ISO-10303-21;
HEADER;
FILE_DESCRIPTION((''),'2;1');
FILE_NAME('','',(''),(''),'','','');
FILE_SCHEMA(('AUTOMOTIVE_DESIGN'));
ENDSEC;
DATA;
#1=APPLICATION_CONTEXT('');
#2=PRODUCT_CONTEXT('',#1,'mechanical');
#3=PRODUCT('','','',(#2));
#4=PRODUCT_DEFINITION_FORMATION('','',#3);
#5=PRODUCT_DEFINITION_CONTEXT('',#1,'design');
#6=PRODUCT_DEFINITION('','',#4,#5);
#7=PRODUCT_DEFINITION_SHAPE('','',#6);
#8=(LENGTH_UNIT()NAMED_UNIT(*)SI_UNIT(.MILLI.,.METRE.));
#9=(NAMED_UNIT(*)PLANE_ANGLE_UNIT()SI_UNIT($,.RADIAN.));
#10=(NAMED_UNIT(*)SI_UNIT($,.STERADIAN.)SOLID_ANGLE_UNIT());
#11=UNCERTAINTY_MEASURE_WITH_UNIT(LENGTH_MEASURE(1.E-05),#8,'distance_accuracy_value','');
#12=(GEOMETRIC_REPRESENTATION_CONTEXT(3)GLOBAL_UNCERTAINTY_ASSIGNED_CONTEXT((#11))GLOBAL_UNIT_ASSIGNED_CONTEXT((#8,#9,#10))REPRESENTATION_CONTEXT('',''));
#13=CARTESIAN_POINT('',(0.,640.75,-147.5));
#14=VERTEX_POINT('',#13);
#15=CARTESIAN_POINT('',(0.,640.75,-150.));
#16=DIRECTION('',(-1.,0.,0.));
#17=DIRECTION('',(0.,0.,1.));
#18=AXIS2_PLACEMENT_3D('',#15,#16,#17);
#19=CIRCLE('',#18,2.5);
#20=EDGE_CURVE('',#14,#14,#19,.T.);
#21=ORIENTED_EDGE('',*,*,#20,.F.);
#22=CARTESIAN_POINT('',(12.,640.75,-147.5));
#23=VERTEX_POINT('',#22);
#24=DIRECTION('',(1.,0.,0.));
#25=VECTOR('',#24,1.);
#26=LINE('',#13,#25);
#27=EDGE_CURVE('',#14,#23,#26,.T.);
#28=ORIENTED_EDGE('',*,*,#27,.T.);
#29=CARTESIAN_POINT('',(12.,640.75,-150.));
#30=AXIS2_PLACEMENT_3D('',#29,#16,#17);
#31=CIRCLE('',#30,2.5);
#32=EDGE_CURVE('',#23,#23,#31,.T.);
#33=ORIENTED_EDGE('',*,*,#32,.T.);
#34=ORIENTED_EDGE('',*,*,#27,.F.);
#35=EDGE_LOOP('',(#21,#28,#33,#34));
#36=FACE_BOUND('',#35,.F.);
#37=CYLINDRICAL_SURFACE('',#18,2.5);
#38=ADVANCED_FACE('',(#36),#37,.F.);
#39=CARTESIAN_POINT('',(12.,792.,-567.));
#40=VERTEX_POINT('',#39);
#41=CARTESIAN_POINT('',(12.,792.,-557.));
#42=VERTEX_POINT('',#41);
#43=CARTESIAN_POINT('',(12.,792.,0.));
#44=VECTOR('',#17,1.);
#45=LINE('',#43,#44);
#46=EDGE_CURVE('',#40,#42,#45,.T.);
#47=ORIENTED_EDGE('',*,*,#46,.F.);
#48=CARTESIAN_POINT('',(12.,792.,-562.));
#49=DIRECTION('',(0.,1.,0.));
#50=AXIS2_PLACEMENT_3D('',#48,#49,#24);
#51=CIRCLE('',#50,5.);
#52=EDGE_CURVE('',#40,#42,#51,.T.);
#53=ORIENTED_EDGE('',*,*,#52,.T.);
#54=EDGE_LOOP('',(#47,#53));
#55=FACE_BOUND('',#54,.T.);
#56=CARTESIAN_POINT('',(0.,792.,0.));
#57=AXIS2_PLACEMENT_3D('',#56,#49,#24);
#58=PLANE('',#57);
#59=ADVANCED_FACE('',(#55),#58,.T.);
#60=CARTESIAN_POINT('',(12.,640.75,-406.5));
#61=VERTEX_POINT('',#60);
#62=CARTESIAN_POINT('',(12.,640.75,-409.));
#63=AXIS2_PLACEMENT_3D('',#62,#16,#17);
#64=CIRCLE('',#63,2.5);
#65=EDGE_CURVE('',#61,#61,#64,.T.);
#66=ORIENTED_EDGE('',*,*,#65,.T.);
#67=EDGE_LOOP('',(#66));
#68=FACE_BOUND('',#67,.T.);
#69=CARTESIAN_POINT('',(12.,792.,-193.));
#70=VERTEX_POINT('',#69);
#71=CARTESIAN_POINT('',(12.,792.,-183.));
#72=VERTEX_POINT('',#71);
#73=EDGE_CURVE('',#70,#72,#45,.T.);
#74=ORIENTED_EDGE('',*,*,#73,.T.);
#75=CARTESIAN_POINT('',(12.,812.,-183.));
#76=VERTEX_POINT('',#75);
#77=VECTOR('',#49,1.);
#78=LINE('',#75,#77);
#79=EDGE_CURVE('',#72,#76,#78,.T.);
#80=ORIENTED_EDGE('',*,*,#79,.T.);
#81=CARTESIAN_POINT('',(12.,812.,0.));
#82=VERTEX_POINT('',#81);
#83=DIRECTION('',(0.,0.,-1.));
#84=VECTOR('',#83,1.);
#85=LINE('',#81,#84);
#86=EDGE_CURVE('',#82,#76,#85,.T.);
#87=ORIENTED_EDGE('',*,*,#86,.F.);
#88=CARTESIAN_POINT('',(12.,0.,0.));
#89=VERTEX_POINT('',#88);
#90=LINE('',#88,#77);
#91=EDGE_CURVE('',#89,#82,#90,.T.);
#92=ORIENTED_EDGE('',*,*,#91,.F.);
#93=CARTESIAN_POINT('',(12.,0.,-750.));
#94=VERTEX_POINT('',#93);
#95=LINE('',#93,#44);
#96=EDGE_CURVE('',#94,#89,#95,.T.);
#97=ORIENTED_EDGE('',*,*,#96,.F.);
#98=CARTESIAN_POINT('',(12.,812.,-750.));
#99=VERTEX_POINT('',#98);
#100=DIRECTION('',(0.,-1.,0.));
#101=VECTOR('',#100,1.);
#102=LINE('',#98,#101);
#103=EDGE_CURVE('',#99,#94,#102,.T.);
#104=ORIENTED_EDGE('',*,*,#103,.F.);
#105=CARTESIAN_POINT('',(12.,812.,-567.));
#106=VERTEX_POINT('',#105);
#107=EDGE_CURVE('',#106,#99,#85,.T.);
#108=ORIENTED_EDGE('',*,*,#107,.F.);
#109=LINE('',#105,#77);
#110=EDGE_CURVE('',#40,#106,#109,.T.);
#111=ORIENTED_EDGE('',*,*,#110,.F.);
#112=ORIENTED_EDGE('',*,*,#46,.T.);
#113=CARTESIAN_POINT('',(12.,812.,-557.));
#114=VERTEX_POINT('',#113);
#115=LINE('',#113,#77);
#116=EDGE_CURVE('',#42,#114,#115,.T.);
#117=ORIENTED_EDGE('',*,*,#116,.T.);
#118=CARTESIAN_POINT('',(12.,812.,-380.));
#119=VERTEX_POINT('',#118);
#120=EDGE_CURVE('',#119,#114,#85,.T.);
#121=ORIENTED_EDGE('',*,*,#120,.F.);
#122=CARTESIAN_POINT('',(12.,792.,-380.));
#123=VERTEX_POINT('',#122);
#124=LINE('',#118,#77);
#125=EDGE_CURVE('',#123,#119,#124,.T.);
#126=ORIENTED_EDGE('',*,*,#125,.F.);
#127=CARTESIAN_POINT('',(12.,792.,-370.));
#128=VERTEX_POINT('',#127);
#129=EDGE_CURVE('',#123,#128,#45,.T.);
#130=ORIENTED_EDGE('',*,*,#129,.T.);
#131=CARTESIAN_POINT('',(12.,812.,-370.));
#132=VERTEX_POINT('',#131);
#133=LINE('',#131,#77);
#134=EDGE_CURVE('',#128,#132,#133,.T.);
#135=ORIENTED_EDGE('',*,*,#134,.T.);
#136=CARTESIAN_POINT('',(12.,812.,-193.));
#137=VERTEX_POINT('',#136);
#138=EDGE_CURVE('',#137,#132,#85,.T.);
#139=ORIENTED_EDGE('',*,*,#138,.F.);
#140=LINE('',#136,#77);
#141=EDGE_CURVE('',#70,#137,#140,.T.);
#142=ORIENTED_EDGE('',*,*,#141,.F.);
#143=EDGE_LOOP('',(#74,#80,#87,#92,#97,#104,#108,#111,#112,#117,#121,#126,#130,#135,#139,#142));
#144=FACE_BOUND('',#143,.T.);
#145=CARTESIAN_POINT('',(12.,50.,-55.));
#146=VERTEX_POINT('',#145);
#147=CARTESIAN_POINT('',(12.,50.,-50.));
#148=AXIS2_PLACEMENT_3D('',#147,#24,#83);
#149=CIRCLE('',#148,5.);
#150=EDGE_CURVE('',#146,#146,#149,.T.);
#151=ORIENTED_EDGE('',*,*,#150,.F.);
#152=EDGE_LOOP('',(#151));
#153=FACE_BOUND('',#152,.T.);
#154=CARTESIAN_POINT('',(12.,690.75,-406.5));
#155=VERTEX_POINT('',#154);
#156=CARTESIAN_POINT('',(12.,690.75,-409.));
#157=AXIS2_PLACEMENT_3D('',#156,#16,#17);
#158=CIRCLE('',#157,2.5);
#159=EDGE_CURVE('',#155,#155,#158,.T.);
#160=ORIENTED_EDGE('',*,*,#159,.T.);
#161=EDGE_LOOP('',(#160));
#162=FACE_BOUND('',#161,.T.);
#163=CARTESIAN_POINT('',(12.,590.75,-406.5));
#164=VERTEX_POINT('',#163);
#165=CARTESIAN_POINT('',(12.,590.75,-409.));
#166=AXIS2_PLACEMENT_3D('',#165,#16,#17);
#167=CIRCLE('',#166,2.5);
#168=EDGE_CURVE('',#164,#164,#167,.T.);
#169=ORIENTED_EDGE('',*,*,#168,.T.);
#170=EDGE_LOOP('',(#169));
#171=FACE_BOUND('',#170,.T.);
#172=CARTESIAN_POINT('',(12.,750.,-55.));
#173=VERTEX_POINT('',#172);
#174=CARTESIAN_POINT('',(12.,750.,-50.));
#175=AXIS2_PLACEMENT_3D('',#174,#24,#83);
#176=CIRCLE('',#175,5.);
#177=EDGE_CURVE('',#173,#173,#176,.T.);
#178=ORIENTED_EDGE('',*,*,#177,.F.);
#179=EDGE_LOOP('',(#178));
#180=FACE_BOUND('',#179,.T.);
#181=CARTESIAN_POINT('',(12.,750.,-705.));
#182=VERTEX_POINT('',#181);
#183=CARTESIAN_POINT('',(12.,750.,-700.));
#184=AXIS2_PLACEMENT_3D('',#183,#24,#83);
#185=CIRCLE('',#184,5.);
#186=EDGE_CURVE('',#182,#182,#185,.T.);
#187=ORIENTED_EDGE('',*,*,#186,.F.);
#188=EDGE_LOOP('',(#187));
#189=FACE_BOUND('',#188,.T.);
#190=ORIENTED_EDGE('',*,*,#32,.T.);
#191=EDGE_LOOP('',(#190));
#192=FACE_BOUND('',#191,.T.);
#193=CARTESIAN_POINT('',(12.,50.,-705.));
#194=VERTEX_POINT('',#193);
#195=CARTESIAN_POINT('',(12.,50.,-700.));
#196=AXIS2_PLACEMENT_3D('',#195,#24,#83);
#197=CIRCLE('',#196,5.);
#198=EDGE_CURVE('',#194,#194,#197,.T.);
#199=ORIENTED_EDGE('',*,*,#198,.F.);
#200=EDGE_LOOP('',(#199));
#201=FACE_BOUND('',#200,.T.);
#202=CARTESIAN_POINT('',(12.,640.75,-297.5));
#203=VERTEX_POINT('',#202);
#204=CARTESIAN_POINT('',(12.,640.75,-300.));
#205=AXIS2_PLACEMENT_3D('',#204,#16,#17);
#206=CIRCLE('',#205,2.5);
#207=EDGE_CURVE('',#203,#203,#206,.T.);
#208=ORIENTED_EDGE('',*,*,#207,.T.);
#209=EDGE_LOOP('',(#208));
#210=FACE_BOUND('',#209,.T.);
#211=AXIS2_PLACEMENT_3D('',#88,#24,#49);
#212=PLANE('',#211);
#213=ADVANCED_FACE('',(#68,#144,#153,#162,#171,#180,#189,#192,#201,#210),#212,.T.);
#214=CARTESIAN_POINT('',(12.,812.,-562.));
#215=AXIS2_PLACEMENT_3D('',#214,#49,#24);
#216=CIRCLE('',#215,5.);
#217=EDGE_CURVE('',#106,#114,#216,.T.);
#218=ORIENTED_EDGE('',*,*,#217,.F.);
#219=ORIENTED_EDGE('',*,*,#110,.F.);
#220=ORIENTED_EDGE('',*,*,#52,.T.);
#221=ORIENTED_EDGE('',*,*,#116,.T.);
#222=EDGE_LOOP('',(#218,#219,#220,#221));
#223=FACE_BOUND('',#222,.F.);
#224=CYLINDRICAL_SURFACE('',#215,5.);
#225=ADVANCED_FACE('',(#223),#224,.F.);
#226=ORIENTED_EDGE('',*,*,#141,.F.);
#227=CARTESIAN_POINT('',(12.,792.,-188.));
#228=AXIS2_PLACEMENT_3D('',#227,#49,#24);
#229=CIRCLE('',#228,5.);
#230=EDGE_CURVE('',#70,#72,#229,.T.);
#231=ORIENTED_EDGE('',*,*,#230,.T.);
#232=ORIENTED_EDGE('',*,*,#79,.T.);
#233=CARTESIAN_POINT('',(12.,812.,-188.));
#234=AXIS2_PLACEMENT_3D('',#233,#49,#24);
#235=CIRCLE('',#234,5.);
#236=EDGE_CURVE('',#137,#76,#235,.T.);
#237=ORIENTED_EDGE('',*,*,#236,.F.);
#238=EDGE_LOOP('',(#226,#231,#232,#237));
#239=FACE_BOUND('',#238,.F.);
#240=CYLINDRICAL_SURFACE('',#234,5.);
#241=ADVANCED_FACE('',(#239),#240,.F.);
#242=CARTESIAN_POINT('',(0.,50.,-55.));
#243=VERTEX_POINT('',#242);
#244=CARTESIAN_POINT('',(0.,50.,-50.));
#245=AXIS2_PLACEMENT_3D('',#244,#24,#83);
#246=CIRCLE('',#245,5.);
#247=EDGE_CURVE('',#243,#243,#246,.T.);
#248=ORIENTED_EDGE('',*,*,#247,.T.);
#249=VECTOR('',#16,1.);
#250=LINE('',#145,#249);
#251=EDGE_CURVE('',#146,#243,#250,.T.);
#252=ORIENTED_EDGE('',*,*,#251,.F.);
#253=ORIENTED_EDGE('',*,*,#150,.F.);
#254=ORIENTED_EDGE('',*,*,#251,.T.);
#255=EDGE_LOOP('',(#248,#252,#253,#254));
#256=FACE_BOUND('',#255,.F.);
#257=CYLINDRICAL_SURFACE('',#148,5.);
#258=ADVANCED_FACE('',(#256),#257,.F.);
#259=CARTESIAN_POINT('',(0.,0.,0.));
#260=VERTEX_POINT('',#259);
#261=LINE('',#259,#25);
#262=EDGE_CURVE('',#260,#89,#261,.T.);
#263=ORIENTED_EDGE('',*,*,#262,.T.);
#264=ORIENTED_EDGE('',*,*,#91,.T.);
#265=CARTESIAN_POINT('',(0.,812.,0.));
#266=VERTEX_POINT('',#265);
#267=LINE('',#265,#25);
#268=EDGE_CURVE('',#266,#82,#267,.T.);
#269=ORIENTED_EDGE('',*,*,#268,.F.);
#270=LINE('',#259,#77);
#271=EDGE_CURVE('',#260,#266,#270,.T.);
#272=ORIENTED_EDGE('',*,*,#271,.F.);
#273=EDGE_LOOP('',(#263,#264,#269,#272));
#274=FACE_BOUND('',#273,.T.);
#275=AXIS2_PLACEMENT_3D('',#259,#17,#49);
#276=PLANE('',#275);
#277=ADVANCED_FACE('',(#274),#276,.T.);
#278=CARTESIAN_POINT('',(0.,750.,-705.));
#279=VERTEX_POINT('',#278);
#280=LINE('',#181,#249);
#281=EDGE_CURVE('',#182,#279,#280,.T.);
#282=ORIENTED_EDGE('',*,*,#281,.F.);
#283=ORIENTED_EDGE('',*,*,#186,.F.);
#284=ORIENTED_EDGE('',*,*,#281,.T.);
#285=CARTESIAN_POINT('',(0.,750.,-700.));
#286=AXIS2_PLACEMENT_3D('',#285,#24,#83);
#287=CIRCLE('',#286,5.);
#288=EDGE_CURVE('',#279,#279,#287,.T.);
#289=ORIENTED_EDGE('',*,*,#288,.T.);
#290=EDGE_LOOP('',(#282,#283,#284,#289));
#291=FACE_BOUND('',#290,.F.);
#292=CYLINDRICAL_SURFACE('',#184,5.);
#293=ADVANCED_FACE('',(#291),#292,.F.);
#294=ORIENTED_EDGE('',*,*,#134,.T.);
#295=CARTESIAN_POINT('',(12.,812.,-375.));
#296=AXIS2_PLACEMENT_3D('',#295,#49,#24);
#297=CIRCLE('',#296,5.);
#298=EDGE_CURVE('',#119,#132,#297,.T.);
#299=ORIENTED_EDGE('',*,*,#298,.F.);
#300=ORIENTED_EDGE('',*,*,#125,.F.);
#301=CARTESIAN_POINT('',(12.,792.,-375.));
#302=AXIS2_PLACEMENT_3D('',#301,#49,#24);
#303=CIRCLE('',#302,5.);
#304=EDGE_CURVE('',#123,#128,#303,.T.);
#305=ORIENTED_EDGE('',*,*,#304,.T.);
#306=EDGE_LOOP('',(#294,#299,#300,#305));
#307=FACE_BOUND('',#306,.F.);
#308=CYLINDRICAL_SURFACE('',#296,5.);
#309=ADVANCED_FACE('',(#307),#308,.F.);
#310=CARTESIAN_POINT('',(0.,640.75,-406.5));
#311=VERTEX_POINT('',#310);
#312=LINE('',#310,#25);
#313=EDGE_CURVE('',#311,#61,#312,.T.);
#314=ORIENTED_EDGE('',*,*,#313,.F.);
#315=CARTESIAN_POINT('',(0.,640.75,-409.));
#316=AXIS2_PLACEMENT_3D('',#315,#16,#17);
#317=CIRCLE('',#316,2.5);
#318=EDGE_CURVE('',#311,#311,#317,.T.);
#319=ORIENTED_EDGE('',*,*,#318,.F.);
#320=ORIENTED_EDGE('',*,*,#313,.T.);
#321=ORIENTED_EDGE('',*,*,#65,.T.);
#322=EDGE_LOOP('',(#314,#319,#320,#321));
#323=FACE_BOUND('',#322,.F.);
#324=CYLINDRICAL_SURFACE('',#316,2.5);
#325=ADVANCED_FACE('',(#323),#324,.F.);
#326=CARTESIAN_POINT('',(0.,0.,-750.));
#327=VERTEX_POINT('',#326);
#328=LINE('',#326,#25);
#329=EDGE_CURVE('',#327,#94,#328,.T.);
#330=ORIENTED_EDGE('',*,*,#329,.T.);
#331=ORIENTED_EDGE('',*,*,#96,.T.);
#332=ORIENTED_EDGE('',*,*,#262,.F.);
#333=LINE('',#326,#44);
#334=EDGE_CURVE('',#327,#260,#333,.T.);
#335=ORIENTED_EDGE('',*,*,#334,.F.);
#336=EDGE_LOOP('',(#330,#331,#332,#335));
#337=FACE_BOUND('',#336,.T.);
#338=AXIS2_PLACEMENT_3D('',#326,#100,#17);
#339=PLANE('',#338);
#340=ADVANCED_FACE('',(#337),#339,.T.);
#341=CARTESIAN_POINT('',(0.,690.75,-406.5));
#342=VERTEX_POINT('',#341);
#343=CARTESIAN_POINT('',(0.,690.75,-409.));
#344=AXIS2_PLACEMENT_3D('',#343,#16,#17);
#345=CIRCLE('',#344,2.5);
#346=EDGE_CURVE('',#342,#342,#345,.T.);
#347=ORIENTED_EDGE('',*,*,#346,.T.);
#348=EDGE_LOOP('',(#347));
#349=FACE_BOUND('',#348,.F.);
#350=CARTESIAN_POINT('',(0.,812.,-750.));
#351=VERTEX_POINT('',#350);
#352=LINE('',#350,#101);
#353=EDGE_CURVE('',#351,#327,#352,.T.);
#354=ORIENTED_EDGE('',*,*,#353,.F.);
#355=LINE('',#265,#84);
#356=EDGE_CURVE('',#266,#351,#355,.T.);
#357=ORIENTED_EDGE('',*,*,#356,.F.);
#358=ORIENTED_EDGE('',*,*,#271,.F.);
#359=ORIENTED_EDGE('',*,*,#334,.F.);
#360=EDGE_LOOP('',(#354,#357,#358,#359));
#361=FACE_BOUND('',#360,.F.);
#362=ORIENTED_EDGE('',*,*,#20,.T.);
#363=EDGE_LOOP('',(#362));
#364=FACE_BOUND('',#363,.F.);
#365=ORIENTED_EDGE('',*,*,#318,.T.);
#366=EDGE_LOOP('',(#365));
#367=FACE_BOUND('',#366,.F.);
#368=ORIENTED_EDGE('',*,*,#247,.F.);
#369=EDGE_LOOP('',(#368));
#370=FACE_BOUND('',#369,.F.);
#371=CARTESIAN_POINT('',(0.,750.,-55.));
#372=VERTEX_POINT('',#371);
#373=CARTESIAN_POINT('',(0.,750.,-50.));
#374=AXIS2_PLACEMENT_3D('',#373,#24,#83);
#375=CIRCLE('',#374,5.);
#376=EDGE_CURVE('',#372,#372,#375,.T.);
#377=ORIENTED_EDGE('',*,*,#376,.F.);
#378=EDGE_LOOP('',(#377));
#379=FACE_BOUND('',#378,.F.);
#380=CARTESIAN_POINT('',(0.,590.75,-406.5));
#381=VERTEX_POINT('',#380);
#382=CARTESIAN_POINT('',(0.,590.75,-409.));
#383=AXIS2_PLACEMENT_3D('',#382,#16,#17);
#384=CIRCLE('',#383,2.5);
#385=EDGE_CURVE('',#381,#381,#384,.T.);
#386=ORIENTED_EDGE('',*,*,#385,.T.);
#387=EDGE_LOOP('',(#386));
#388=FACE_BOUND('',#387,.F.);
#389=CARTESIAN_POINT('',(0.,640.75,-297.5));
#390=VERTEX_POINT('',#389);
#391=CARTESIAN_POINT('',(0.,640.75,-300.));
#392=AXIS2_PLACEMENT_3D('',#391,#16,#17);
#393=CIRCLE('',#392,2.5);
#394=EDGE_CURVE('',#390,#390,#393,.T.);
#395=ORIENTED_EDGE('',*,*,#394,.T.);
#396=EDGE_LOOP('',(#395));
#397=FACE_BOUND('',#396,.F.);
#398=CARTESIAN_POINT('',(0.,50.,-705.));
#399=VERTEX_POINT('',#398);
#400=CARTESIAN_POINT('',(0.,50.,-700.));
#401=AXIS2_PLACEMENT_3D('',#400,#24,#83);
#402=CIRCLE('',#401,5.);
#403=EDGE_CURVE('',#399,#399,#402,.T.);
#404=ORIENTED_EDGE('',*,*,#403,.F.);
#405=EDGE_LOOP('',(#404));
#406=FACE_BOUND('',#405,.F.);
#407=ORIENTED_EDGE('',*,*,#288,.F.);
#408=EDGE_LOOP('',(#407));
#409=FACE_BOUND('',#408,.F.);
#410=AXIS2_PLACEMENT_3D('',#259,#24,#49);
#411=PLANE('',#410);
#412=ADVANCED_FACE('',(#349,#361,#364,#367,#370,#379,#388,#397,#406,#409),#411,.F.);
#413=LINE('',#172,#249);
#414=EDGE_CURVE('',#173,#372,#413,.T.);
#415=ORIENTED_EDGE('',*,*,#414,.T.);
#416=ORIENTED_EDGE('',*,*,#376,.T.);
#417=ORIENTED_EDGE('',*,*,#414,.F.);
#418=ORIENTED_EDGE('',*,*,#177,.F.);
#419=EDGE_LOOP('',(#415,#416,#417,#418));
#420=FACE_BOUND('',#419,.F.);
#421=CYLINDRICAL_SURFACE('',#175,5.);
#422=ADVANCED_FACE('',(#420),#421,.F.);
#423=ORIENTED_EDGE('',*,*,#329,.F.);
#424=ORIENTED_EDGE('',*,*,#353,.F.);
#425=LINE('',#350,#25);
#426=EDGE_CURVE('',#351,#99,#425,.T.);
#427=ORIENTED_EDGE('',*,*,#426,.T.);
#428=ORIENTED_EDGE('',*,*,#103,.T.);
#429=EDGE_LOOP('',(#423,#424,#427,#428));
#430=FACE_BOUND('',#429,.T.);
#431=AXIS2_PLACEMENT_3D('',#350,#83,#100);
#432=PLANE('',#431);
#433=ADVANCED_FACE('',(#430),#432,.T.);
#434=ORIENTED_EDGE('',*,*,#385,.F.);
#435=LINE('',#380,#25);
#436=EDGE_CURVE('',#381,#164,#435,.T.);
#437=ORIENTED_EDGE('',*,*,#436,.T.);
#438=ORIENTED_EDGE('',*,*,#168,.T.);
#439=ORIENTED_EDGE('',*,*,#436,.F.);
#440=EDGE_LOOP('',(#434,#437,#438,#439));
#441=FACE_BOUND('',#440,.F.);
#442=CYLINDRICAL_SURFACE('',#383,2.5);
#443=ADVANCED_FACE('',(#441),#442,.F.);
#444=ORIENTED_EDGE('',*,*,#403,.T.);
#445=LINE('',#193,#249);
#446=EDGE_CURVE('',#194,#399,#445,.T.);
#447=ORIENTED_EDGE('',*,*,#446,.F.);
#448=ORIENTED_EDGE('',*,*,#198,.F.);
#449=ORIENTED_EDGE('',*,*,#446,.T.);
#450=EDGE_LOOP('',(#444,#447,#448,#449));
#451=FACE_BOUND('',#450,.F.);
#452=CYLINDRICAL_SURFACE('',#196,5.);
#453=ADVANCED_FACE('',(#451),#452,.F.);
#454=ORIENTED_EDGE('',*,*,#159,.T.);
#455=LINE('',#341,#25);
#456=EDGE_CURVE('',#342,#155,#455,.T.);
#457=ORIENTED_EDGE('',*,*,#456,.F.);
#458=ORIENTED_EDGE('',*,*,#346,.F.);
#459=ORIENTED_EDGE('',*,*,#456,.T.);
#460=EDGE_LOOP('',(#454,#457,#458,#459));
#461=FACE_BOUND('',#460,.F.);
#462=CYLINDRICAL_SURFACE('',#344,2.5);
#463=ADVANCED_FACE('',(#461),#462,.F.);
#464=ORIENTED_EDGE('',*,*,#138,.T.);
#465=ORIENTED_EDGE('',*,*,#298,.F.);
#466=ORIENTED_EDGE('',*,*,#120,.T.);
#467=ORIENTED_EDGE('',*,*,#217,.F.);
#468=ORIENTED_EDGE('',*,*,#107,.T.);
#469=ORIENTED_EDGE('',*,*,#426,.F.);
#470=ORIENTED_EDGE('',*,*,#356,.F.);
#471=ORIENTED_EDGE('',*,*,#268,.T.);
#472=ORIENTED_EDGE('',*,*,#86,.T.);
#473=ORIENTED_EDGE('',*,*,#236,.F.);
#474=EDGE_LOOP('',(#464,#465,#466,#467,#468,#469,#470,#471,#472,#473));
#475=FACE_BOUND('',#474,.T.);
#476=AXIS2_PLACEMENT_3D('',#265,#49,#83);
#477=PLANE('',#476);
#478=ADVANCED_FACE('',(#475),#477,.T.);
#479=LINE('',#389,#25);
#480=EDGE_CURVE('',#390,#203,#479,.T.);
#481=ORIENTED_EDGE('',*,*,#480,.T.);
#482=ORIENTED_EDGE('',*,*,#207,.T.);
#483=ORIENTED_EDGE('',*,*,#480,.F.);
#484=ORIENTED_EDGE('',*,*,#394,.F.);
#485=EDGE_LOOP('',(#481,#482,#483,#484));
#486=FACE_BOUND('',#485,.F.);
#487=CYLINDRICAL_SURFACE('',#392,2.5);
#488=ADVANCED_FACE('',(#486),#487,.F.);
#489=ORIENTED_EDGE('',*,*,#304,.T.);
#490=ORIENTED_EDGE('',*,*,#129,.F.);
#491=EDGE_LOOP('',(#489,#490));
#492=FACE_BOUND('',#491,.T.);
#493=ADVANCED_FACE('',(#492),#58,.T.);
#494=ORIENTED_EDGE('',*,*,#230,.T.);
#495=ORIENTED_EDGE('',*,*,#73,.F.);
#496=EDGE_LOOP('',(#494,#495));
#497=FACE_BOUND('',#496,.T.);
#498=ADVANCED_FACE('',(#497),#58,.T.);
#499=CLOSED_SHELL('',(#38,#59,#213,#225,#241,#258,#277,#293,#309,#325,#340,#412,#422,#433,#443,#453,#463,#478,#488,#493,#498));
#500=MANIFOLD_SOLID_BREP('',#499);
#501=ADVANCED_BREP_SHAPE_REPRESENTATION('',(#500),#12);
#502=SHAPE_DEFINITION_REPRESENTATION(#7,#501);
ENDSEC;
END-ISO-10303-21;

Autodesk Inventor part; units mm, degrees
ref_plane "YZ Plane" through (0, 0, 0) normal (1, 0, 0) x (0, 1, 0)
ref_plane "XZ Plane" through (0, 0, 0) normal (0, 1, 0) x (-1, 0, 0)
ref_plane "XY Plane" through (0, 0, 0) normal (0, 0, 1) x (1, 0, 0)
sketch "Sketch1" plane through (0, 0, 0) normal (1, 0, 0) x (0, 1, 0)
  line L0 (0, 0) -> (812, 0)
  line L1 (812, 0) -> (812, -750)
  line L2 (812, -750) -> (0, -750)
  line L3 (0, -750) -> (0, 0)
  dimension "d2" = 812
  dimension "d3" = 750
extrude "Extrusion1" add sketch "Sketch1" along normal blind 12
sketch "Sketch2" plane through (12, 0, 0) normal (1, 0, 0) x (0, 0, -1)
  circle A0 centre (50, 50) radius 5
  circle A1 centre (700, 50) radius 5
  circle A2 centre (700, 750) radius 5
  circle A3 centre (50, 750) radius 5
  point P0 (0, 0)
  point P1 (750, 812)
  point P2 (750, 0)
  dimension "d15" = 10
extrude "Extrusion2" cut sketch "Sketch2" against normal blind 12
sketch "Sketch3" plane through (0, 812, 0) normal (0, 1, 0) x (1, 0, 0)
  line L0 (12, 375) -> (199, 375) construction
  circle A0 centre (12, 188) radius 5
  circle A1 centre (12, 375) radius 5
  circle A2 centre (12, 562) radius 5
  point P0 (0, 0)
  point P1 (12, 750)
  dimension "d23" = 10
  dimension "d24" = 10
  dimension "d25" = 10
extrude "Extrusion3" cut sketch "Sketch3" against normal blind 20
sketch "Sketch4" plane through (0, 0, 0) normal (-1, 0, 0) x (0, 0, 1)
  circle A0 centre (-300, 640.75) radius 2.5
  circle A1 centre (-150, 640.75) radius 2.5
  point P0 (0, 812)
extrude "Extrusion4" cut sketch "Sketch4" against normal blind 20
sketch "Sketch5" plane through (0, 0, 0) normal (-1, 0, 0) x (0, 0, 1)
  circle A0 centre (-300, 640.75) radius 2.5 projected
  line L0 (-300, 640.75) -> (-191, 640.75) construction
  circle A1 centre (-409, 640.75) radius 2.5
  circle A2 centre (-409, 590.75) radius 2.5
  circle A3 centre (-409, 690.75) radius 2.5
  point P0 (0, 0)
  dimension "d40" = 5
  dimension "d41" = 5
  dimension "d42" = 5
extrude "Extrusion5" cut sketch "Sketch5" against normal blind 211.375 contours A1 | A2 | A3
properties part number "wallL2" material "Plywood, Sheathing"
